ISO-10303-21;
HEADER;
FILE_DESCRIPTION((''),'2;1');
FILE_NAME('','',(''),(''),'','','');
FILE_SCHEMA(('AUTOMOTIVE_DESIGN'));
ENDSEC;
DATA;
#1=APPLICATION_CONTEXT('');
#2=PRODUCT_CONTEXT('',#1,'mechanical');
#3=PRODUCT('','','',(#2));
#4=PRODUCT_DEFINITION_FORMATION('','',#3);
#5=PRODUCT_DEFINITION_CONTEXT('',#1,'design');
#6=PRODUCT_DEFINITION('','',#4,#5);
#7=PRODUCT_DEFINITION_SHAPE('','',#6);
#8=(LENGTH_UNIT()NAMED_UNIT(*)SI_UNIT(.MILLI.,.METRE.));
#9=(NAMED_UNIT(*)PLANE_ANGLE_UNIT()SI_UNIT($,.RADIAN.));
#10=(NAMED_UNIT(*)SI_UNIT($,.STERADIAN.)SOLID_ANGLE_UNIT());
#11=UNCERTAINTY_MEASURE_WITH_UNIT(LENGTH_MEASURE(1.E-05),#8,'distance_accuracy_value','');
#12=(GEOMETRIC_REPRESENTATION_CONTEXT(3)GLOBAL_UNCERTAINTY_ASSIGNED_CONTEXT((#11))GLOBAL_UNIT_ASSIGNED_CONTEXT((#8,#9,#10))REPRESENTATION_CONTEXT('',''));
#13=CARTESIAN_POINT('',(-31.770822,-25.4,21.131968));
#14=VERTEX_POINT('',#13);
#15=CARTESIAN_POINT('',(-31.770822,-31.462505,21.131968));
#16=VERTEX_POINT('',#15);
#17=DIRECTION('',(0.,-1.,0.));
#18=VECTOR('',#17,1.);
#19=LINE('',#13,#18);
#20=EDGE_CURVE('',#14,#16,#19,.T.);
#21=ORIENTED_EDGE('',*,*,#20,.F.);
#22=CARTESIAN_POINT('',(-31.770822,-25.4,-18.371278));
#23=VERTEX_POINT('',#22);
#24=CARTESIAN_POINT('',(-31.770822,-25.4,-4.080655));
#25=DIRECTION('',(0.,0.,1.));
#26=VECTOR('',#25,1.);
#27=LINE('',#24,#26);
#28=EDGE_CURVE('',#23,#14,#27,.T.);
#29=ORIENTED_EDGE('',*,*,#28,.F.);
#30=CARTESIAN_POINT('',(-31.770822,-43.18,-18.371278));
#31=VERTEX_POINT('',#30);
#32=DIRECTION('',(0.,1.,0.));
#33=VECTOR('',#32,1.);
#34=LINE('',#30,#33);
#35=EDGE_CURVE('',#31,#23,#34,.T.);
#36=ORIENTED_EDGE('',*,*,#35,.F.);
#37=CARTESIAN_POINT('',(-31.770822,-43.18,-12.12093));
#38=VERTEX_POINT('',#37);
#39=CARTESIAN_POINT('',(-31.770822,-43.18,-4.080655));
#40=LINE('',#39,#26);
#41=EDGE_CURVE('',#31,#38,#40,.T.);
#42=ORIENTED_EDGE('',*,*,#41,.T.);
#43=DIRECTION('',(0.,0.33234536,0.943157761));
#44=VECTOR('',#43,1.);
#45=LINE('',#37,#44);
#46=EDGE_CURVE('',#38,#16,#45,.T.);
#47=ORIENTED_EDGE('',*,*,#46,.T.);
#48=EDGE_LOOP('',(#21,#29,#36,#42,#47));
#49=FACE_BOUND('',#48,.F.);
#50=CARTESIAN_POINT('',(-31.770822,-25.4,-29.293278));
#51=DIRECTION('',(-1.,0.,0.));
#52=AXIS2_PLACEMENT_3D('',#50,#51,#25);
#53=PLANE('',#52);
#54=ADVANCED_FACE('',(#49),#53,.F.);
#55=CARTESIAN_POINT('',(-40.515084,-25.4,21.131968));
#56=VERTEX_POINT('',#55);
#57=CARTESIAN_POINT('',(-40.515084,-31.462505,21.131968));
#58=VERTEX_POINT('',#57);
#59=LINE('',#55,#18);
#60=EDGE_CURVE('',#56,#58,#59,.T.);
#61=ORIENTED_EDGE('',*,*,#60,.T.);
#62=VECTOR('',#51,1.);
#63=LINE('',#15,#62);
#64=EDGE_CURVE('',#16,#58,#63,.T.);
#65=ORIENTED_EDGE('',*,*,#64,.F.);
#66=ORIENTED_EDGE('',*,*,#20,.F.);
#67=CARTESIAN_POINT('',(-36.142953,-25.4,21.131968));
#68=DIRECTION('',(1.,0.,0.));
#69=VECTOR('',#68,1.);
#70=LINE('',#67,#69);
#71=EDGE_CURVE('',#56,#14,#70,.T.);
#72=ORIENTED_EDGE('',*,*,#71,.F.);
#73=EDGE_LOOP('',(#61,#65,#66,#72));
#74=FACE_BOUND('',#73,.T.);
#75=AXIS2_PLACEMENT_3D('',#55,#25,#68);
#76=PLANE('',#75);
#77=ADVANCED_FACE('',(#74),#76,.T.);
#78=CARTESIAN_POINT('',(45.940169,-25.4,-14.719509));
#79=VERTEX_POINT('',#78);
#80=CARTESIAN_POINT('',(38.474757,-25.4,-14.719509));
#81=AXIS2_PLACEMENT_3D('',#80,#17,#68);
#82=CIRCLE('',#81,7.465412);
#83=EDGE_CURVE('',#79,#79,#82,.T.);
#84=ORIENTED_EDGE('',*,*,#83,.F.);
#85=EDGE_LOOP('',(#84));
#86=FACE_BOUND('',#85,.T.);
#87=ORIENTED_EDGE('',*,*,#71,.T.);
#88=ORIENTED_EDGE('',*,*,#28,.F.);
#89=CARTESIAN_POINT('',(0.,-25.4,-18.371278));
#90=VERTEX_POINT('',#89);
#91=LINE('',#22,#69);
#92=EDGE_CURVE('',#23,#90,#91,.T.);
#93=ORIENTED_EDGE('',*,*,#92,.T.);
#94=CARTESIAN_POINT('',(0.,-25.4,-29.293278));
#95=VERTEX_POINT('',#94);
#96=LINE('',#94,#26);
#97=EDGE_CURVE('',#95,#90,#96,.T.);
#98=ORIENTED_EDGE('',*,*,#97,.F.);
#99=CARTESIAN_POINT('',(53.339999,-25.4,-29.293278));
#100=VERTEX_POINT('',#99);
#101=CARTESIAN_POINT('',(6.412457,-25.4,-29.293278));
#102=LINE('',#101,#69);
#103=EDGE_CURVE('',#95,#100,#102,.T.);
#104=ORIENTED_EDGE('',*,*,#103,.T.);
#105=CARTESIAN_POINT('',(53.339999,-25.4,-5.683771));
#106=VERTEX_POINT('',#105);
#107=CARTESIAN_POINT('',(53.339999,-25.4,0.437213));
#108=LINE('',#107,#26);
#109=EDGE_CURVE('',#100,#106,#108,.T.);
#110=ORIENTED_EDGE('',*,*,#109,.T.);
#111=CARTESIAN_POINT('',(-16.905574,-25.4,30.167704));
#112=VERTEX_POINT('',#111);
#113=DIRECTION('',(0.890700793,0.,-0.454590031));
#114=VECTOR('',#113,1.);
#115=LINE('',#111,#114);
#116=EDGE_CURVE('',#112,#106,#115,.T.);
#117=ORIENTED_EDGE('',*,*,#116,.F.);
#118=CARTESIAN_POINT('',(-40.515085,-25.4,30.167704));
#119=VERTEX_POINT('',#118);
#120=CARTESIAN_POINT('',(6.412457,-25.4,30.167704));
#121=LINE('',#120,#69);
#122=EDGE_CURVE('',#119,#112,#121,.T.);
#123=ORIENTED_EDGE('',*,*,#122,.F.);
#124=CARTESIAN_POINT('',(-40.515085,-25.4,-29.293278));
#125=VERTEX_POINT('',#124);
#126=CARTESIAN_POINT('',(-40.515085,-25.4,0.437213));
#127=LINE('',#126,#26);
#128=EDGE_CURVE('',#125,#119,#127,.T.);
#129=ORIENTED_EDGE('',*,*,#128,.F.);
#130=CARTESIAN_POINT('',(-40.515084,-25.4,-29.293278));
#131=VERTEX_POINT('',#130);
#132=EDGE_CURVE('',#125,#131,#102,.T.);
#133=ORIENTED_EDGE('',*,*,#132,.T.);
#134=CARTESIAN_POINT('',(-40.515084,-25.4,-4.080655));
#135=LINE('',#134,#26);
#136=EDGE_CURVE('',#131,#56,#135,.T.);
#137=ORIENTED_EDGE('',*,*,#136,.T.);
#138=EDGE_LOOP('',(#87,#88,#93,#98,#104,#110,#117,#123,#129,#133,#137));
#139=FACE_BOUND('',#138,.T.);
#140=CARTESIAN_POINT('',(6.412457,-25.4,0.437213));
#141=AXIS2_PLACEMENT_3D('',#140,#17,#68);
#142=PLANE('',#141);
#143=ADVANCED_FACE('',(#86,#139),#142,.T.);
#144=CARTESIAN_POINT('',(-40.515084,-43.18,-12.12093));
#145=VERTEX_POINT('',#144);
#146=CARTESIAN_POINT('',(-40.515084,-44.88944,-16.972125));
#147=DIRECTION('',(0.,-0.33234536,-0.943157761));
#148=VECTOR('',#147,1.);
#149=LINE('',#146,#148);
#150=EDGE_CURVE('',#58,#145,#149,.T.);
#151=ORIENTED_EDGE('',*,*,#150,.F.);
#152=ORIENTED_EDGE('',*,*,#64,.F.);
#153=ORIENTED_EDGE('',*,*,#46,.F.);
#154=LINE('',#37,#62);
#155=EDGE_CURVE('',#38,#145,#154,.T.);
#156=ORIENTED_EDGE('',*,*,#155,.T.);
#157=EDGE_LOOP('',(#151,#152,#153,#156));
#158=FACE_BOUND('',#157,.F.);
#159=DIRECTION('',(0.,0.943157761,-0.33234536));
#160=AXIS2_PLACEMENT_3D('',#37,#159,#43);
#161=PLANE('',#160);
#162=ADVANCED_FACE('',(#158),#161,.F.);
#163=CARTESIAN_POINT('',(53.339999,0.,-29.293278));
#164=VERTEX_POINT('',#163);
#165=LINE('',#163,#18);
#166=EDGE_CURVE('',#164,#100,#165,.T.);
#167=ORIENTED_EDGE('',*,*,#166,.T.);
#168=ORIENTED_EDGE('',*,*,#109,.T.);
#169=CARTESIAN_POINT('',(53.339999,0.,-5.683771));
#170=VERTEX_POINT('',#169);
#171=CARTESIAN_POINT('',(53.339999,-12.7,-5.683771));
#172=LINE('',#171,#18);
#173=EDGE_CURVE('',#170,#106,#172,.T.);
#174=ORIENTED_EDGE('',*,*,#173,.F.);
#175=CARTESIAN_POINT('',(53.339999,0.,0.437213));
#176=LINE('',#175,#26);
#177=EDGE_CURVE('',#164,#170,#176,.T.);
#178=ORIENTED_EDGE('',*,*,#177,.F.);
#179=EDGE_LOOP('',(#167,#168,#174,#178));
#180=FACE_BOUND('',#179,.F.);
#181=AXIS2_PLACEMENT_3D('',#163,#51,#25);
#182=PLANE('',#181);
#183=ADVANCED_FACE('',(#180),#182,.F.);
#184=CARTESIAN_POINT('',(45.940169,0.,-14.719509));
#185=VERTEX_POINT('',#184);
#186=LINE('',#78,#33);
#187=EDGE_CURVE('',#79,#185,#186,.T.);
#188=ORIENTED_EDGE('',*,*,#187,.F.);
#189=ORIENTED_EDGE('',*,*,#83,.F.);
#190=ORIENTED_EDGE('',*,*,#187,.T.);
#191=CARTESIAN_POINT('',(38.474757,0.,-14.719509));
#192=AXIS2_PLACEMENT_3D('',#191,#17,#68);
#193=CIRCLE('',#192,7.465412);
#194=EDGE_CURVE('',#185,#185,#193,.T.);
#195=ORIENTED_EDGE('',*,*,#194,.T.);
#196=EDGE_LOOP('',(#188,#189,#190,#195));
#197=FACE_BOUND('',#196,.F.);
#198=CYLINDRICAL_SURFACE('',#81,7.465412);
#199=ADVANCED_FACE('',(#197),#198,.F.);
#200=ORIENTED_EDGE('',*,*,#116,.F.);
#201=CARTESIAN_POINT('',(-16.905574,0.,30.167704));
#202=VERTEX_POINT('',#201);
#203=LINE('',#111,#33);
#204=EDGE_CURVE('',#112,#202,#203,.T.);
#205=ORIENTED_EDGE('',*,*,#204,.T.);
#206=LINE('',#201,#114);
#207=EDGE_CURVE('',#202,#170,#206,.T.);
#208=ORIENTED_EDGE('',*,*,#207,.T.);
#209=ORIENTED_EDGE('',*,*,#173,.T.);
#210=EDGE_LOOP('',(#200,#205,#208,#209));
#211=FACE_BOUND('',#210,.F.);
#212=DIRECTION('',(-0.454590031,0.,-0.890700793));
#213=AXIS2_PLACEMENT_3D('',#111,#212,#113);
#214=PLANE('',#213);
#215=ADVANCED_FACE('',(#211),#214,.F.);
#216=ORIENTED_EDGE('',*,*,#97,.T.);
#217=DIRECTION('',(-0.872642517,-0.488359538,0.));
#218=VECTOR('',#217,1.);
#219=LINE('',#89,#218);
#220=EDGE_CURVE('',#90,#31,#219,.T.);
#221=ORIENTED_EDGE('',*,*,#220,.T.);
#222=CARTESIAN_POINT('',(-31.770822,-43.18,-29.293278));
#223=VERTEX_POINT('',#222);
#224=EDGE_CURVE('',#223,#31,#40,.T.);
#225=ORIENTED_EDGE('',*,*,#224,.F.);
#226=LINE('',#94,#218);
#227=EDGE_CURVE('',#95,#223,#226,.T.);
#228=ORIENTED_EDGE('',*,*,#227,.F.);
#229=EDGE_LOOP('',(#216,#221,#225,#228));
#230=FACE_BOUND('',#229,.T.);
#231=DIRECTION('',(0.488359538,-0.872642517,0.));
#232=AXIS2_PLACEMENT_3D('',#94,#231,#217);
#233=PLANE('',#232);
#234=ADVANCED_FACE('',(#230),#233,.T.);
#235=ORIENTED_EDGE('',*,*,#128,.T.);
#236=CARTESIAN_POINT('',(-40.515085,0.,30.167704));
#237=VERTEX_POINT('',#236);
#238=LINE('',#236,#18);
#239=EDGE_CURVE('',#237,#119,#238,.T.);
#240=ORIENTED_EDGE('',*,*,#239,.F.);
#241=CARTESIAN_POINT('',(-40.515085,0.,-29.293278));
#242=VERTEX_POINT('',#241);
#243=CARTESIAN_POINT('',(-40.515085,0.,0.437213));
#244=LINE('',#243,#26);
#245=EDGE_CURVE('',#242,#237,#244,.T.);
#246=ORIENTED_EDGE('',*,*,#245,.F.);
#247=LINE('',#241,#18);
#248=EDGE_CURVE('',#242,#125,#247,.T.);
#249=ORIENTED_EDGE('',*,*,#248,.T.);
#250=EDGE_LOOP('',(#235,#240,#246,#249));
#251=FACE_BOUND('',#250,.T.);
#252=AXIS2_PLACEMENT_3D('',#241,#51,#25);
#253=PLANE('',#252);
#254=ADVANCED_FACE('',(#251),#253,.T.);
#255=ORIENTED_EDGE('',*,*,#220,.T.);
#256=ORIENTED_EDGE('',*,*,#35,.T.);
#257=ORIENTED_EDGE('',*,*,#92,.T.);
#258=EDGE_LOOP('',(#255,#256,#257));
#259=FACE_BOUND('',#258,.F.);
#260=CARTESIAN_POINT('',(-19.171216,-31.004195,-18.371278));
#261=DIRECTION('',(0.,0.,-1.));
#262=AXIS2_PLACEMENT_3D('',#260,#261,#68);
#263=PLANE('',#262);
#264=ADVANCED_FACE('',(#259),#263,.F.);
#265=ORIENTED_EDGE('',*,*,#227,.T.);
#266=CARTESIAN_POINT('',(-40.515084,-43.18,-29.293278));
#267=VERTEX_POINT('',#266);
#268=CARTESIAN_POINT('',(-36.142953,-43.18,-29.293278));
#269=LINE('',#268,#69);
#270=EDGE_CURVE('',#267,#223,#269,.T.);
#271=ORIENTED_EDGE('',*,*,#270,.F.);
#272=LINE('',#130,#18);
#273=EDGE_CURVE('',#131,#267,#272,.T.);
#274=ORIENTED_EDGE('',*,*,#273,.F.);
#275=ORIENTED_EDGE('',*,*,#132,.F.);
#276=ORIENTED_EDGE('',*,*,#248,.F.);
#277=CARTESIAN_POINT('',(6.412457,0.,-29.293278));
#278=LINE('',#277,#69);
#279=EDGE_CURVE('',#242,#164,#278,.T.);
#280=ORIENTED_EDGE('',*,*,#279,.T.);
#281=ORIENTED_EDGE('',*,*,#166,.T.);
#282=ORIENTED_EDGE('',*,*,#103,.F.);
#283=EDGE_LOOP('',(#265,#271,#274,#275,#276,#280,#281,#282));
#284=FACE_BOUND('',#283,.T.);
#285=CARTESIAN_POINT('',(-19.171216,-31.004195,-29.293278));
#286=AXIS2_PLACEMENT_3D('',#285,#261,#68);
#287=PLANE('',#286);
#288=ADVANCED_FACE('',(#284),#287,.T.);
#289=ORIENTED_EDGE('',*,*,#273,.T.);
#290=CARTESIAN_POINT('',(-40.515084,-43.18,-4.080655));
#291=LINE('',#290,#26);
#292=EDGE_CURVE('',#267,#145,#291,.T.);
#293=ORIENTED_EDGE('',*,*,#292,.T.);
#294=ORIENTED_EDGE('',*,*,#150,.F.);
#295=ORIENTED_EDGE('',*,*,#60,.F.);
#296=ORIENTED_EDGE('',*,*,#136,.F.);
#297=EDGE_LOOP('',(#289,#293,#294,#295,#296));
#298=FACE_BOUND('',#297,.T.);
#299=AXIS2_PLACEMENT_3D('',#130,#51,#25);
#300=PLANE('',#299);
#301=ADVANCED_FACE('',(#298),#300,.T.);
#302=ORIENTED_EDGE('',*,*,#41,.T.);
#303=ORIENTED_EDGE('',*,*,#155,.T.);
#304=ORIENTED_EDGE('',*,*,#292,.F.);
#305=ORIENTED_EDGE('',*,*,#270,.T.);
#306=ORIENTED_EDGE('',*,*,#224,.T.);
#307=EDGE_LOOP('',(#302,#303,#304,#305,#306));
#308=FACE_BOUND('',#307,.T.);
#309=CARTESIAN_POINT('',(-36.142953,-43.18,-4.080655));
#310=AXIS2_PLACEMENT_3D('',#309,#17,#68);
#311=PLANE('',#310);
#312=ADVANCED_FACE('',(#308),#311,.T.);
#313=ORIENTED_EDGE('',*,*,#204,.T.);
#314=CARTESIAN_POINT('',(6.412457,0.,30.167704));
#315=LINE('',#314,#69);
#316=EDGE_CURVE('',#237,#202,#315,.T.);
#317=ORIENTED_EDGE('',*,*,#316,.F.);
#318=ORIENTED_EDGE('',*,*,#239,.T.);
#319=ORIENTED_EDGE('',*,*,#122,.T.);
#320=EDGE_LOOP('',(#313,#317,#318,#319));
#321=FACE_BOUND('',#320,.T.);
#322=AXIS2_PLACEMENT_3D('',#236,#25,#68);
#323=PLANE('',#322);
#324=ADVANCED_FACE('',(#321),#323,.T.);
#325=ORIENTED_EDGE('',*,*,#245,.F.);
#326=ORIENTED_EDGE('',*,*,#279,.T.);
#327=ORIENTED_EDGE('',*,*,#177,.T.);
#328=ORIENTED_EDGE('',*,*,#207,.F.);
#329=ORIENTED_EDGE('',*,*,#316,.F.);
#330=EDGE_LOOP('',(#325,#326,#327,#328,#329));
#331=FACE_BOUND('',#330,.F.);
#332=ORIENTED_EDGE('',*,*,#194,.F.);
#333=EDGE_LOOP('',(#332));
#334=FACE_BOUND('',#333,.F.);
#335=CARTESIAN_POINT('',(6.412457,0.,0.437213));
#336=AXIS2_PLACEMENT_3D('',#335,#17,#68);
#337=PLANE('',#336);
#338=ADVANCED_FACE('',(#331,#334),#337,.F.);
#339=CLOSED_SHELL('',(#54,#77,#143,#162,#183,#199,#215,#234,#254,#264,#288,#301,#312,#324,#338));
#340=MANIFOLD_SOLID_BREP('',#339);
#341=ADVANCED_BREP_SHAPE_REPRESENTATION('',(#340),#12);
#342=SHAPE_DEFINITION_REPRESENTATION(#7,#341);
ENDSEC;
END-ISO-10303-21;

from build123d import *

# Parameters (mm, degrees)
F0_W      = 93.855083
F0_H      = 59.460982
F1_DEPTH  = 25.4
F3_DEPTH  = 25.4
F4_W      = 8.744262
F4_H      = 50.425246
F5_DEPTH  = 17.78
F7_DEPTH  = 25.4
F9_DEPTH  = 10.922
F10_R     = 7.465412
F11_DEPTH = 25.4


with BuildPart() as f1:
    # F0 (on Front) → F1 (new body)
    with BuildSketch(Plane.XZ):
        with Locations((6.412457, 0.437213)):
            Rectangle(F0_W, F0_H)
    extrude(amount=F1_DEPTH)

    # F2 (on face) → F3 (cut)
    with BuildSketch(Plane.XZ.offset(25.4)):
        Polygon((53.339999, 30.167704), (-16.905574, 30.167704), (53.339999, -5.683771), align=None)
    extrude(amount=-F3_DEPTH, mode=Mode.SUBTRACT)

    # F4 (on face) → F5 (join)
    with BuildSketch(Plane.XZ.offset(25.4)):
        with Locations((-36.142953, -4.080655)):
            Rectangle(F4_W, F4_H)
    extrude(amount=F5_DEPTH)

    # F6 (on face) → F7 (cut)
    with BuildSketch(Plane.YZ.offset(-31.770822)):
        Polygon((-43.18, -12.12093), (-31.462505, 21.131968), (-43.18, 21.131968), align=None)
    extrude(amount=-F7_DEPTH, mode=Mode.SUBTRACT)

    # F8 (on face) → F9 (join)
    with BuildSketch(Plane(origin=(0, 0, -29.293278), x_dir=(1, 0, 0), z_dir=(0, 0, -1))):
        Polygon((0, 25.4), (-31.770822, 43.18), (-31.770822, 25.4), align=None)
    extrude(amount=-F9_DEPTH)

    # F10 (on face) → F11 (cut)
    with BuildSketch(Plane.XZ.offset(25.4)):
        with Locations((38.474757, -14.719509)):
            Circle(F10_R)
    extrude(amount=-F11_DEPTH, mode=Mode.SUBTRACT)


solid = f1.part
